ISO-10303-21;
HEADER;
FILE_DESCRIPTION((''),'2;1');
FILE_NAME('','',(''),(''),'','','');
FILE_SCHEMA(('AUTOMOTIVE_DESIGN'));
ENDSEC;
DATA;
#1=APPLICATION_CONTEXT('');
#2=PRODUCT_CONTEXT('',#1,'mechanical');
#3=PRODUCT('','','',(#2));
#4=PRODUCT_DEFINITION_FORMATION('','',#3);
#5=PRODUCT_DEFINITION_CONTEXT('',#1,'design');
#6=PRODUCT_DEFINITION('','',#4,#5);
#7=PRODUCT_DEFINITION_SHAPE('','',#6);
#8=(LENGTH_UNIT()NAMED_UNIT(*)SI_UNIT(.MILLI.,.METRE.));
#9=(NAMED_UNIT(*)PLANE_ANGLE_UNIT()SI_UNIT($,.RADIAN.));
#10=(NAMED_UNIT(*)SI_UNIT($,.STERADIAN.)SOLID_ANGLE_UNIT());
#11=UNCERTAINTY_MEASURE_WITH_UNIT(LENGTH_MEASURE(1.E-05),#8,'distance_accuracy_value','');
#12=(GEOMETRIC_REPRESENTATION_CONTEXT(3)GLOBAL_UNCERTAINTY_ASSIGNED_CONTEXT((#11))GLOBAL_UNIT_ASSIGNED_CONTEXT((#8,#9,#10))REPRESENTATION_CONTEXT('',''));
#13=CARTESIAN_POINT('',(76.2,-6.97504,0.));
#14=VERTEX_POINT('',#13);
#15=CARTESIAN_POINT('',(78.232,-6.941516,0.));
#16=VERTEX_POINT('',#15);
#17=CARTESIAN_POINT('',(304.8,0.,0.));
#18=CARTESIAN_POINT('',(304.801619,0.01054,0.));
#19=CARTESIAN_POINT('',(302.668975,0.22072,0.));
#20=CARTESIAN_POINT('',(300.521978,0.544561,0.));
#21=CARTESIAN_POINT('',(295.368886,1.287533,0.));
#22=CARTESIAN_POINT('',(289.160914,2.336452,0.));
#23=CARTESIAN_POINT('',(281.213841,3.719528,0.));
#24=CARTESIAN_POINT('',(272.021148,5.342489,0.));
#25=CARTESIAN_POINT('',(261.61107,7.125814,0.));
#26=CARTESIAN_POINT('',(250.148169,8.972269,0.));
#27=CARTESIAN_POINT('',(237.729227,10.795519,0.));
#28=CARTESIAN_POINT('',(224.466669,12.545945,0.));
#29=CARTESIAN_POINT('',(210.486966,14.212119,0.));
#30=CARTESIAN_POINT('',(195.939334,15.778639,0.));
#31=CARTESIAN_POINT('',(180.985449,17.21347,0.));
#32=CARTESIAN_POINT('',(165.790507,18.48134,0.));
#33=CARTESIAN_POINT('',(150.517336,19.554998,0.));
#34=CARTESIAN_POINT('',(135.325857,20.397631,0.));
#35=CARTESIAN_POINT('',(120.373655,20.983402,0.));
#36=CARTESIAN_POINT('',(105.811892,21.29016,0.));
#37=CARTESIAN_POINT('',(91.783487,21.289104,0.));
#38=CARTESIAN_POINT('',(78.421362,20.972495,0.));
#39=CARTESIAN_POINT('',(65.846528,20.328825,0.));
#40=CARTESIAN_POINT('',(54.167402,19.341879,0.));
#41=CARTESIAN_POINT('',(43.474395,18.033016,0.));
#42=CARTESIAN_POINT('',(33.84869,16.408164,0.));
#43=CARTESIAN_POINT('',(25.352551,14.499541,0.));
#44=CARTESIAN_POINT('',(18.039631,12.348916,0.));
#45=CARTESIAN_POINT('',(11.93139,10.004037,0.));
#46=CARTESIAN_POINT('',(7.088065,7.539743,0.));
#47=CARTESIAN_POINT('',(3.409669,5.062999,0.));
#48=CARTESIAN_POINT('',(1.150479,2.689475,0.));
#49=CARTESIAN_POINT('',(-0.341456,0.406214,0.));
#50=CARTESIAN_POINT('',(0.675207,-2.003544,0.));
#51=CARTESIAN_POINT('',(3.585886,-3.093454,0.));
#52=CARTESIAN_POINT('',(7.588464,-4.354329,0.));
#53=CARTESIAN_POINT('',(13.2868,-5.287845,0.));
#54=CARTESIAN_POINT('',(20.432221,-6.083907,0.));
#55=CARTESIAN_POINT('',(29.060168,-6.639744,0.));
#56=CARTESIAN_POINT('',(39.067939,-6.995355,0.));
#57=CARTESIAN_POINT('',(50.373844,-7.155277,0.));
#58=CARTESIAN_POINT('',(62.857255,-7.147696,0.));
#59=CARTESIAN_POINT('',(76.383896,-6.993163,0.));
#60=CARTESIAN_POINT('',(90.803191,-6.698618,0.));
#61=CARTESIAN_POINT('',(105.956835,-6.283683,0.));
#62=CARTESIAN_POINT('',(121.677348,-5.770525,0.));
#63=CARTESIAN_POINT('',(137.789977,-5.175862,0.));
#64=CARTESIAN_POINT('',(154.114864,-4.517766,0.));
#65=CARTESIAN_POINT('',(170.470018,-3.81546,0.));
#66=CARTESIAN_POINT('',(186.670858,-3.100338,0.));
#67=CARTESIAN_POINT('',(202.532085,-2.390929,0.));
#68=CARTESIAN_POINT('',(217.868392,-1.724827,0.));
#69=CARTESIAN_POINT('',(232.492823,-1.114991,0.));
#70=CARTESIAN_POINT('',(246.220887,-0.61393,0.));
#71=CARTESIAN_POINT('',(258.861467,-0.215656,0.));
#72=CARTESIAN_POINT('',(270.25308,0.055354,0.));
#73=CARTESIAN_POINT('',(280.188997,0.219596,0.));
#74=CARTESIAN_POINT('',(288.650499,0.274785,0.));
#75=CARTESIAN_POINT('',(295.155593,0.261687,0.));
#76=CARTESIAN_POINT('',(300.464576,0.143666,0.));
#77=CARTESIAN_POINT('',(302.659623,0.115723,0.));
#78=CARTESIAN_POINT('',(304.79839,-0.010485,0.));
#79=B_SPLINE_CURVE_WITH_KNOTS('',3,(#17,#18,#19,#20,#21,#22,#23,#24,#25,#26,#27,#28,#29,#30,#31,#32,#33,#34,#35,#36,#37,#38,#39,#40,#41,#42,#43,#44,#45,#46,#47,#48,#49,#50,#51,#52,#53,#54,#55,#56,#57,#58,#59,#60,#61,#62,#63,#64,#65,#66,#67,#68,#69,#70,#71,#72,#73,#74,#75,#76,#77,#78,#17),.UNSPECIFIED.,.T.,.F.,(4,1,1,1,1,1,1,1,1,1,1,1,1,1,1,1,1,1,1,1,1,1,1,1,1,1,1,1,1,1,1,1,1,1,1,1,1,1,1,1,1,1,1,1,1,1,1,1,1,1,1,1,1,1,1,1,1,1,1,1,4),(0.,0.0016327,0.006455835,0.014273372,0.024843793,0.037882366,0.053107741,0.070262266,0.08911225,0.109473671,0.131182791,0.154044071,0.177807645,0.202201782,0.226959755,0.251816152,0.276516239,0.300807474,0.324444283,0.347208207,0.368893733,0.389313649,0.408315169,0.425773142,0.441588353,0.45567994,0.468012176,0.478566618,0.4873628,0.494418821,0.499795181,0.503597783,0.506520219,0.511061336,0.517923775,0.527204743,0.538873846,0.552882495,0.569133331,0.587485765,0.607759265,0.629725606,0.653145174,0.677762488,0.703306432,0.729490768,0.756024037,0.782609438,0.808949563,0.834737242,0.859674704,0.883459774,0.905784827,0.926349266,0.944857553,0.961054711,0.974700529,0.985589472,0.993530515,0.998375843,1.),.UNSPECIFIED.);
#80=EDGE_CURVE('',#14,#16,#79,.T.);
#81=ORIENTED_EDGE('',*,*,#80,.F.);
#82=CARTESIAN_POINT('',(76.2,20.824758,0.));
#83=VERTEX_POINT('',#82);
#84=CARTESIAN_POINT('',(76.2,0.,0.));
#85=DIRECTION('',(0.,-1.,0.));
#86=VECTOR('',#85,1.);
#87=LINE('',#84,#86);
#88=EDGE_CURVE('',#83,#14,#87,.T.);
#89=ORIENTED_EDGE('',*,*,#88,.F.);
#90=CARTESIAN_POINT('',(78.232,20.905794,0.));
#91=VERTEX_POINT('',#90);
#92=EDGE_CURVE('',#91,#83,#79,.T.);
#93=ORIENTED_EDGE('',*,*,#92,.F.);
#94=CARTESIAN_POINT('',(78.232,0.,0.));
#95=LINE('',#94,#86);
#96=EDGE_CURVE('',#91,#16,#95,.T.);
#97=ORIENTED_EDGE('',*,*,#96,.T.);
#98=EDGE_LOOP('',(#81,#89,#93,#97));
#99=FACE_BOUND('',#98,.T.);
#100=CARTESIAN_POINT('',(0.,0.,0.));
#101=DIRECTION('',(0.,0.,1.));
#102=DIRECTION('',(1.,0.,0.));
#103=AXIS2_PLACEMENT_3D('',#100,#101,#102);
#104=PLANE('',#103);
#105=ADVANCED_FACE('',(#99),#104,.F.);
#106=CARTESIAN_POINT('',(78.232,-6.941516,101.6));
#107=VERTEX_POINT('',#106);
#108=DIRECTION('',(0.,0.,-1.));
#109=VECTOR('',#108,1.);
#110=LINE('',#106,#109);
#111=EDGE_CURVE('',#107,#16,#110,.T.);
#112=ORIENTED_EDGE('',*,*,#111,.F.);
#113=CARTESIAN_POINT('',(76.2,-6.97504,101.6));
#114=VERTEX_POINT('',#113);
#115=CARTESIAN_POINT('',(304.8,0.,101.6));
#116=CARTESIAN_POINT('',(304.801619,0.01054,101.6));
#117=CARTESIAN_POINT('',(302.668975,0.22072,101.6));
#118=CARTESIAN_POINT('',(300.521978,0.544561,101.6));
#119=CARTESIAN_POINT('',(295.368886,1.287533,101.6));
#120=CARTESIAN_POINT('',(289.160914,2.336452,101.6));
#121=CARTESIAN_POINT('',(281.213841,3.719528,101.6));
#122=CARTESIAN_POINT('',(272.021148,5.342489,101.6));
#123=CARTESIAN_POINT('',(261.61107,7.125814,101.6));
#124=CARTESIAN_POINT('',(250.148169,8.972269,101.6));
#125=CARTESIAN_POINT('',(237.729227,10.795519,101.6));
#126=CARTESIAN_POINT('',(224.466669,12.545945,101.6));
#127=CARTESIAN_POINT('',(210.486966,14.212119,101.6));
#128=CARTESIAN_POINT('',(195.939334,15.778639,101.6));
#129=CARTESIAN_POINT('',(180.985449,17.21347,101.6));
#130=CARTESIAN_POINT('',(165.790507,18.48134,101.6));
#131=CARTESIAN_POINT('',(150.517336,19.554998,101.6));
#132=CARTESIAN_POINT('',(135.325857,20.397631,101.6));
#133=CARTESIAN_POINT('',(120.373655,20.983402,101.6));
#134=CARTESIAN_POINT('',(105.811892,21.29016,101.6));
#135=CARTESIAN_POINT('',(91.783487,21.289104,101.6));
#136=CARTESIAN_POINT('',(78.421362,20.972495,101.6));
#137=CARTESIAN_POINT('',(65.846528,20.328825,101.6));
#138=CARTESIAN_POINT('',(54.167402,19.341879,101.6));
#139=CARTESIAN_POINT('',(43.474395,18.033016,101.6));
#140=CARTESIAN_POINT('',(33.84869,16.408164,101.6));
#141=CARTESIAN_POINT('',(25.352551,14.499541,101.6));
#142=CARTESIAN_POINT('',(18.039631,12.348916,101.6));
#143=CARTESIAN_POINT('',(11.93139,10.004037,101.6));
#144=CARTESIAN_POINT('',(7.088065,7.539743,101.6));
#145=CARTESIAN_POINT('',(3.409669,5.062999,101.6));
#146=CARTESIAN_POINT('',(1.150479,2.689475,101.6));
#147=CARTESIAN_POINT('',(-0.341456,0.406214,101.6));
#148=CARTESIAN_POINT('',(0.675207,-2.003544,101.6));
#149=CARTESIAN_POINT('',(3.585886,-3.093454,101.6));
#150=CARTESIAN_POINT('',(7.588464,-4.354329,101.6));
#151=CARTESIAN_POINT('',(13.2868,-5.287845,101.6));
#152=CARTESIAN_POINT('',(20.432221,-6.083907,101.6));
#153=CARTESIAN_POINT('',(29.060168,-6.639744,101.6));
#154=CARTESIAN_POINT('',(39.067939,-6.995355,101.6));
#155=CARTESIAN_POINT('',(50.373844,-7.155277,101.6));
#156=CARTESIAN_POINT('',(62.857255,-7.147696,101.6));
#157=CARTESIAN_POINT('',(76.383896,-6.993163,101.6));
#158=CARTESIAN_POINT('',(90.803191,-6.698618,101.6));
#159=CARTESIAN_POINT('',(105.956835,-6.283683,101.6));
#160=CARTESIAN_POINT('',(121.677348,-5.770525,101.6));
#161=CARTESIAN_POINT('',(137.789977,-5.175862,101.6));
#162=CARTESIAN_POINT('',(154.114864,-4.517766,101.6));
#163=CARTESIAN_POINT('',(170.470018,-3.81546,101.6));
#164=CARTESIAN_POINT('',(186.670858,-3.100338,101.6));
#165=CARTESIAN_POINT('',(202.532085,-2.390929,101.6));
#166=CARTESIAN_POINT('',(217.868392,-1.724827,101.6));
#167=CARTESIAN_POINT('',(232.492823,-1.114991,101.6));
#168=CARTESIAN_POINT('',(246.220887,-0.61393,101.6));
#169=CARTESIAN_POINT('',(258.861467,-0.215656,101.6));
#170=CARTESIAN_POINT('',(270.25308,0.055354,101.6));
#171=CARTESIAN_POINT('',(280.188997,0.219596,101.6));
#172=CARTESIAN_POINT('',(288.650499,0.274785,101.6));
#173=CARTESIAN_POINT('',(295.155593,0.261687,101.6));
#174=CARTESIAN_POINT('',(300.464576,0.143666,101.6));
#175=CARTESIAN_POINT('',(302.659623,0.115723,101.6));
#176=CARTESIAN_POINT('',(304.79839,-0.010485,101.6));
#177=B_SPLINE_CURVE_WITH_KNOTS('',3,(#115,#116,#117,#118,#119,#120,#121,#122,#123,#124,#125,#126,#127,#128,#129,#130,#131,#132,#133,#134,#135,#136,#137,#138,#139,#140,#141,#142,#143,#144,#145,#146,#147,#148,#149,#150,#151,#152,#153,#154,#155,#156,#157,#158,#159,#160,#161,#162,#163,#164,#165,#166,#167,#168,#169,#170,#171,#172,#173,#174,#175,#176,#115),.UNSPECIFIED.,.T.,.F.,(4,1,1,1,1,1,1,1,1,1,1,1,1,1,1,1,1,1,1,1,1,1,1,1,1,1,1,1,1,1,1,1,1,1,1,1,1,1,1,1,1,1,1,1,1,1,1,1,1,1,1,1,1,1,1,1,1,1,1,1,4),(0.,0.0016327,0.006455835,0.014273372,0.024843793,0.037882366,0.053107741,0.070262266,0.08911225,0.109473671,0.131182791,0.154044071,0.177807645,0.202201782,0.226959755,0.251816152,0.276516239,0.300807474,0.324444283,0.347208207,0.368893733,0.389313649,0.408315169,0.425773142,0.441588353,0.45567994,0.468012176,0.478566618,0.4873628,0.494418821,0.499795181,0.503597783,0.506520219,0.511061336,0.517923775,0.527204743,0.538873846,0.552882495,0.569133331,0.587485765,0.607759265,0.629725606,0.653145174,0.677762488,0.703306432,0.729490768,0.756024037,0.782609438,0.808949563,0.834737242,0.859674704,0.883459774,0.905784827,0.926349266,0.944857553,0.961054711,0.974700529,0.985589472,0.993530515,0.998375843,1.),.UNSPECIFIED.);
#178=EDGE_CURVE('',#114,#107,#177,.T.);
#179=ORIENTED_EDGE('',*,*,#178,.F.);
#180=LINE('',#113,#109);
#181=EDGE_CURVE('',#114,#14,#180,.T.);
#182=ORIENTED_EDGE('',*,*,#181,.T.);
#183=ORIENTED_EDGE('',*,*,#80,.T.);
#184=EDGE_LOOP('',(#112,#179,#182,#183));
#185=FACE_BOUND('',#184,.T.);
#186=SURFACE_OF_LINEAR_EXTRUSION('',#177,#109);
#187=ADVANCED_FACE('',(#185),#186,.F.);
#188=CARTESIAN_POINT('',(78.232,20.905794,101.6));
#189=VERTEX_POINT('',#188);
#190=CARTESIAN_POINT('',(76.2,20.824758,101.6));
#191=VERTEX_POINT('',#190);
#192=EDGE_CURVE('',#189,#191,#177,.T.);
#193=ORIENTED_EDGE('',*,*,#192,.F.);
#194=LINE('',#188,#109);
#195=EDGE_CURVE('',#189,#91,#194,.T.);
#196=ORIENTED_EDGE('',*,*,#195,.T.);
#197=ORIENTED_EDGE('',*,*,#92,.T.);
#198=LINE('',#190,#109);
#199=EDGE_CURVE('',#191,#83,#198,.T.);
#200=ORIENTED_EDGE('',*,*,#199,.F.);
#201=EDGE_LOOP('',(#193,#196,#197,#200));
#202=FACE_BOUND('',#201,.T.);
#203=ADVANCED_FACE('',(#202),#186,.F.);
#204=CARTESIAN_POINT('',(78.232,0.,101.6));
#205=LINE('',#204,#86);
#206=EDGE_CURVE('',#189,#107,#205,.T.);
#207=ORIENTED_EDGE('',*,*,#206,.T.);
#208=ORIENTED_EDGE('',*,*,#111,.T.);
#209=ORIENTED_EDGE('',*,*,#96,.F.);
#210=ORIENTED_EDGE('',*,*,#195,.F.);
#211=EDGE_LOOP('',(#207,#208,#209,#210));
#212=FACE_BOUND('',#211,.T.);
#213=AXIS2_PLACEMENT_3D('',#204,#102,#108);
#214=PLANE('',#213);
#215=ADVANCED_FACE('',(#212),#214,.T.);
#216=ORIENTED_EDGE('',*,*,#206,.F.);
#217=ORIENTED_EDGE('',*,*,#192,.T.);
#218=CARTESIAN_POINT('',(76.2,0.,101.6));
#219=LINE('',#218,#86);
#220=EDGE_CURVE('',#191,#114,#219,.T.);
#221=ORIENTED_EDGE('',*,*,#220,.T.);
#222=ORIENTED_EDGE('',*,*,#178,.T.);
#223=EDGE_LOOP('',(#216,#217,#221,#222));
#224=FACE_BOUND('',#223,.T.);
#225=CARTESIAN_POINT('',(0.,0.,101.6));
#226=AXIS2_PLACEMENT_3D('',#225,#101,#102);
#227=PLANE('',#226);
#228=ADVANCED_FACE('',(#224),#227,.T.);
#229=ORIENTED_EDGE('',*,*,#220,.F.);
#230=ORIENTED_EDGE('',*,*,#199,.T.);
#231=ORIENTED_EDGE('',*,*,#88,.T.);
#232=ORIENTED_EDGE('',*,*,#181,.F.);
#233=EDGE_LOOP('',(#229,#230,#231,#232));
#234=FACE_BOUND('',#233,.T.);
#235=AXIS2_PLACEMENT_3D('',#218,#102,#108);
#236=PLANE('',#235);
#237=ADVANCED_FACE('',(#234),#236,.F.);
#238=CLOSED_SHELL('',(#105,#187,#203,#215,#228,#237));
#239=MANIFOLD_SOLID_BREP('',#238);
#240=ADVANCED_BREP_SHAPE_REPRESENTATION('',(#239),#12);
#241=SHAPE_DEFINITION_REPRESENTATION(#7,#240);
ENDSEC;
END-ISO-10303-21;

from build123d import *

# Parameters (mm, degrees)
BOSS_EXTRUDE1_DEPTH = 101.6


with BuildPart() as part:
    # Sketch1 → Boss-Extrude1 (new body)
    with BuildSketch(Plane.XY):
        with BuildLine():
            add(Edge.make_bspline(
                [(78.232, 20.905793748), (78.208970607, 20.904925511), (77.531583804, 20.879337738), (76.854248714, 20.852296647), (76.2, 20.824757853)],
                knots=[0.368781876, 0.368781876, 0.368781876, 0.368781876, 0.368893733, 0.372072045, 0.372072045, 0.372072045, 0.372072045], degree=3))
            Line((76.2, 20.824757853), (76.2, -6.975039847))
            add(Edge.make_bspline(
                [(76.2, -6.975039847), (76.877340925, -6.964300237), (77.554674271, -6.953119921), (78.232, -6.941515669)],
                knots=[0.629913027, 0.629913027, 0.629913027, 0.629913027, 0.633201144, 0.633201144, 0.633201144, 0.633201144], degree=3))
            Line((78.232, -6.941515669), (78.232, 20.905793748))
        make_face()
    extrude(amount=BOSS_EXTRUDE1_DEPTH)


solid = part.part
